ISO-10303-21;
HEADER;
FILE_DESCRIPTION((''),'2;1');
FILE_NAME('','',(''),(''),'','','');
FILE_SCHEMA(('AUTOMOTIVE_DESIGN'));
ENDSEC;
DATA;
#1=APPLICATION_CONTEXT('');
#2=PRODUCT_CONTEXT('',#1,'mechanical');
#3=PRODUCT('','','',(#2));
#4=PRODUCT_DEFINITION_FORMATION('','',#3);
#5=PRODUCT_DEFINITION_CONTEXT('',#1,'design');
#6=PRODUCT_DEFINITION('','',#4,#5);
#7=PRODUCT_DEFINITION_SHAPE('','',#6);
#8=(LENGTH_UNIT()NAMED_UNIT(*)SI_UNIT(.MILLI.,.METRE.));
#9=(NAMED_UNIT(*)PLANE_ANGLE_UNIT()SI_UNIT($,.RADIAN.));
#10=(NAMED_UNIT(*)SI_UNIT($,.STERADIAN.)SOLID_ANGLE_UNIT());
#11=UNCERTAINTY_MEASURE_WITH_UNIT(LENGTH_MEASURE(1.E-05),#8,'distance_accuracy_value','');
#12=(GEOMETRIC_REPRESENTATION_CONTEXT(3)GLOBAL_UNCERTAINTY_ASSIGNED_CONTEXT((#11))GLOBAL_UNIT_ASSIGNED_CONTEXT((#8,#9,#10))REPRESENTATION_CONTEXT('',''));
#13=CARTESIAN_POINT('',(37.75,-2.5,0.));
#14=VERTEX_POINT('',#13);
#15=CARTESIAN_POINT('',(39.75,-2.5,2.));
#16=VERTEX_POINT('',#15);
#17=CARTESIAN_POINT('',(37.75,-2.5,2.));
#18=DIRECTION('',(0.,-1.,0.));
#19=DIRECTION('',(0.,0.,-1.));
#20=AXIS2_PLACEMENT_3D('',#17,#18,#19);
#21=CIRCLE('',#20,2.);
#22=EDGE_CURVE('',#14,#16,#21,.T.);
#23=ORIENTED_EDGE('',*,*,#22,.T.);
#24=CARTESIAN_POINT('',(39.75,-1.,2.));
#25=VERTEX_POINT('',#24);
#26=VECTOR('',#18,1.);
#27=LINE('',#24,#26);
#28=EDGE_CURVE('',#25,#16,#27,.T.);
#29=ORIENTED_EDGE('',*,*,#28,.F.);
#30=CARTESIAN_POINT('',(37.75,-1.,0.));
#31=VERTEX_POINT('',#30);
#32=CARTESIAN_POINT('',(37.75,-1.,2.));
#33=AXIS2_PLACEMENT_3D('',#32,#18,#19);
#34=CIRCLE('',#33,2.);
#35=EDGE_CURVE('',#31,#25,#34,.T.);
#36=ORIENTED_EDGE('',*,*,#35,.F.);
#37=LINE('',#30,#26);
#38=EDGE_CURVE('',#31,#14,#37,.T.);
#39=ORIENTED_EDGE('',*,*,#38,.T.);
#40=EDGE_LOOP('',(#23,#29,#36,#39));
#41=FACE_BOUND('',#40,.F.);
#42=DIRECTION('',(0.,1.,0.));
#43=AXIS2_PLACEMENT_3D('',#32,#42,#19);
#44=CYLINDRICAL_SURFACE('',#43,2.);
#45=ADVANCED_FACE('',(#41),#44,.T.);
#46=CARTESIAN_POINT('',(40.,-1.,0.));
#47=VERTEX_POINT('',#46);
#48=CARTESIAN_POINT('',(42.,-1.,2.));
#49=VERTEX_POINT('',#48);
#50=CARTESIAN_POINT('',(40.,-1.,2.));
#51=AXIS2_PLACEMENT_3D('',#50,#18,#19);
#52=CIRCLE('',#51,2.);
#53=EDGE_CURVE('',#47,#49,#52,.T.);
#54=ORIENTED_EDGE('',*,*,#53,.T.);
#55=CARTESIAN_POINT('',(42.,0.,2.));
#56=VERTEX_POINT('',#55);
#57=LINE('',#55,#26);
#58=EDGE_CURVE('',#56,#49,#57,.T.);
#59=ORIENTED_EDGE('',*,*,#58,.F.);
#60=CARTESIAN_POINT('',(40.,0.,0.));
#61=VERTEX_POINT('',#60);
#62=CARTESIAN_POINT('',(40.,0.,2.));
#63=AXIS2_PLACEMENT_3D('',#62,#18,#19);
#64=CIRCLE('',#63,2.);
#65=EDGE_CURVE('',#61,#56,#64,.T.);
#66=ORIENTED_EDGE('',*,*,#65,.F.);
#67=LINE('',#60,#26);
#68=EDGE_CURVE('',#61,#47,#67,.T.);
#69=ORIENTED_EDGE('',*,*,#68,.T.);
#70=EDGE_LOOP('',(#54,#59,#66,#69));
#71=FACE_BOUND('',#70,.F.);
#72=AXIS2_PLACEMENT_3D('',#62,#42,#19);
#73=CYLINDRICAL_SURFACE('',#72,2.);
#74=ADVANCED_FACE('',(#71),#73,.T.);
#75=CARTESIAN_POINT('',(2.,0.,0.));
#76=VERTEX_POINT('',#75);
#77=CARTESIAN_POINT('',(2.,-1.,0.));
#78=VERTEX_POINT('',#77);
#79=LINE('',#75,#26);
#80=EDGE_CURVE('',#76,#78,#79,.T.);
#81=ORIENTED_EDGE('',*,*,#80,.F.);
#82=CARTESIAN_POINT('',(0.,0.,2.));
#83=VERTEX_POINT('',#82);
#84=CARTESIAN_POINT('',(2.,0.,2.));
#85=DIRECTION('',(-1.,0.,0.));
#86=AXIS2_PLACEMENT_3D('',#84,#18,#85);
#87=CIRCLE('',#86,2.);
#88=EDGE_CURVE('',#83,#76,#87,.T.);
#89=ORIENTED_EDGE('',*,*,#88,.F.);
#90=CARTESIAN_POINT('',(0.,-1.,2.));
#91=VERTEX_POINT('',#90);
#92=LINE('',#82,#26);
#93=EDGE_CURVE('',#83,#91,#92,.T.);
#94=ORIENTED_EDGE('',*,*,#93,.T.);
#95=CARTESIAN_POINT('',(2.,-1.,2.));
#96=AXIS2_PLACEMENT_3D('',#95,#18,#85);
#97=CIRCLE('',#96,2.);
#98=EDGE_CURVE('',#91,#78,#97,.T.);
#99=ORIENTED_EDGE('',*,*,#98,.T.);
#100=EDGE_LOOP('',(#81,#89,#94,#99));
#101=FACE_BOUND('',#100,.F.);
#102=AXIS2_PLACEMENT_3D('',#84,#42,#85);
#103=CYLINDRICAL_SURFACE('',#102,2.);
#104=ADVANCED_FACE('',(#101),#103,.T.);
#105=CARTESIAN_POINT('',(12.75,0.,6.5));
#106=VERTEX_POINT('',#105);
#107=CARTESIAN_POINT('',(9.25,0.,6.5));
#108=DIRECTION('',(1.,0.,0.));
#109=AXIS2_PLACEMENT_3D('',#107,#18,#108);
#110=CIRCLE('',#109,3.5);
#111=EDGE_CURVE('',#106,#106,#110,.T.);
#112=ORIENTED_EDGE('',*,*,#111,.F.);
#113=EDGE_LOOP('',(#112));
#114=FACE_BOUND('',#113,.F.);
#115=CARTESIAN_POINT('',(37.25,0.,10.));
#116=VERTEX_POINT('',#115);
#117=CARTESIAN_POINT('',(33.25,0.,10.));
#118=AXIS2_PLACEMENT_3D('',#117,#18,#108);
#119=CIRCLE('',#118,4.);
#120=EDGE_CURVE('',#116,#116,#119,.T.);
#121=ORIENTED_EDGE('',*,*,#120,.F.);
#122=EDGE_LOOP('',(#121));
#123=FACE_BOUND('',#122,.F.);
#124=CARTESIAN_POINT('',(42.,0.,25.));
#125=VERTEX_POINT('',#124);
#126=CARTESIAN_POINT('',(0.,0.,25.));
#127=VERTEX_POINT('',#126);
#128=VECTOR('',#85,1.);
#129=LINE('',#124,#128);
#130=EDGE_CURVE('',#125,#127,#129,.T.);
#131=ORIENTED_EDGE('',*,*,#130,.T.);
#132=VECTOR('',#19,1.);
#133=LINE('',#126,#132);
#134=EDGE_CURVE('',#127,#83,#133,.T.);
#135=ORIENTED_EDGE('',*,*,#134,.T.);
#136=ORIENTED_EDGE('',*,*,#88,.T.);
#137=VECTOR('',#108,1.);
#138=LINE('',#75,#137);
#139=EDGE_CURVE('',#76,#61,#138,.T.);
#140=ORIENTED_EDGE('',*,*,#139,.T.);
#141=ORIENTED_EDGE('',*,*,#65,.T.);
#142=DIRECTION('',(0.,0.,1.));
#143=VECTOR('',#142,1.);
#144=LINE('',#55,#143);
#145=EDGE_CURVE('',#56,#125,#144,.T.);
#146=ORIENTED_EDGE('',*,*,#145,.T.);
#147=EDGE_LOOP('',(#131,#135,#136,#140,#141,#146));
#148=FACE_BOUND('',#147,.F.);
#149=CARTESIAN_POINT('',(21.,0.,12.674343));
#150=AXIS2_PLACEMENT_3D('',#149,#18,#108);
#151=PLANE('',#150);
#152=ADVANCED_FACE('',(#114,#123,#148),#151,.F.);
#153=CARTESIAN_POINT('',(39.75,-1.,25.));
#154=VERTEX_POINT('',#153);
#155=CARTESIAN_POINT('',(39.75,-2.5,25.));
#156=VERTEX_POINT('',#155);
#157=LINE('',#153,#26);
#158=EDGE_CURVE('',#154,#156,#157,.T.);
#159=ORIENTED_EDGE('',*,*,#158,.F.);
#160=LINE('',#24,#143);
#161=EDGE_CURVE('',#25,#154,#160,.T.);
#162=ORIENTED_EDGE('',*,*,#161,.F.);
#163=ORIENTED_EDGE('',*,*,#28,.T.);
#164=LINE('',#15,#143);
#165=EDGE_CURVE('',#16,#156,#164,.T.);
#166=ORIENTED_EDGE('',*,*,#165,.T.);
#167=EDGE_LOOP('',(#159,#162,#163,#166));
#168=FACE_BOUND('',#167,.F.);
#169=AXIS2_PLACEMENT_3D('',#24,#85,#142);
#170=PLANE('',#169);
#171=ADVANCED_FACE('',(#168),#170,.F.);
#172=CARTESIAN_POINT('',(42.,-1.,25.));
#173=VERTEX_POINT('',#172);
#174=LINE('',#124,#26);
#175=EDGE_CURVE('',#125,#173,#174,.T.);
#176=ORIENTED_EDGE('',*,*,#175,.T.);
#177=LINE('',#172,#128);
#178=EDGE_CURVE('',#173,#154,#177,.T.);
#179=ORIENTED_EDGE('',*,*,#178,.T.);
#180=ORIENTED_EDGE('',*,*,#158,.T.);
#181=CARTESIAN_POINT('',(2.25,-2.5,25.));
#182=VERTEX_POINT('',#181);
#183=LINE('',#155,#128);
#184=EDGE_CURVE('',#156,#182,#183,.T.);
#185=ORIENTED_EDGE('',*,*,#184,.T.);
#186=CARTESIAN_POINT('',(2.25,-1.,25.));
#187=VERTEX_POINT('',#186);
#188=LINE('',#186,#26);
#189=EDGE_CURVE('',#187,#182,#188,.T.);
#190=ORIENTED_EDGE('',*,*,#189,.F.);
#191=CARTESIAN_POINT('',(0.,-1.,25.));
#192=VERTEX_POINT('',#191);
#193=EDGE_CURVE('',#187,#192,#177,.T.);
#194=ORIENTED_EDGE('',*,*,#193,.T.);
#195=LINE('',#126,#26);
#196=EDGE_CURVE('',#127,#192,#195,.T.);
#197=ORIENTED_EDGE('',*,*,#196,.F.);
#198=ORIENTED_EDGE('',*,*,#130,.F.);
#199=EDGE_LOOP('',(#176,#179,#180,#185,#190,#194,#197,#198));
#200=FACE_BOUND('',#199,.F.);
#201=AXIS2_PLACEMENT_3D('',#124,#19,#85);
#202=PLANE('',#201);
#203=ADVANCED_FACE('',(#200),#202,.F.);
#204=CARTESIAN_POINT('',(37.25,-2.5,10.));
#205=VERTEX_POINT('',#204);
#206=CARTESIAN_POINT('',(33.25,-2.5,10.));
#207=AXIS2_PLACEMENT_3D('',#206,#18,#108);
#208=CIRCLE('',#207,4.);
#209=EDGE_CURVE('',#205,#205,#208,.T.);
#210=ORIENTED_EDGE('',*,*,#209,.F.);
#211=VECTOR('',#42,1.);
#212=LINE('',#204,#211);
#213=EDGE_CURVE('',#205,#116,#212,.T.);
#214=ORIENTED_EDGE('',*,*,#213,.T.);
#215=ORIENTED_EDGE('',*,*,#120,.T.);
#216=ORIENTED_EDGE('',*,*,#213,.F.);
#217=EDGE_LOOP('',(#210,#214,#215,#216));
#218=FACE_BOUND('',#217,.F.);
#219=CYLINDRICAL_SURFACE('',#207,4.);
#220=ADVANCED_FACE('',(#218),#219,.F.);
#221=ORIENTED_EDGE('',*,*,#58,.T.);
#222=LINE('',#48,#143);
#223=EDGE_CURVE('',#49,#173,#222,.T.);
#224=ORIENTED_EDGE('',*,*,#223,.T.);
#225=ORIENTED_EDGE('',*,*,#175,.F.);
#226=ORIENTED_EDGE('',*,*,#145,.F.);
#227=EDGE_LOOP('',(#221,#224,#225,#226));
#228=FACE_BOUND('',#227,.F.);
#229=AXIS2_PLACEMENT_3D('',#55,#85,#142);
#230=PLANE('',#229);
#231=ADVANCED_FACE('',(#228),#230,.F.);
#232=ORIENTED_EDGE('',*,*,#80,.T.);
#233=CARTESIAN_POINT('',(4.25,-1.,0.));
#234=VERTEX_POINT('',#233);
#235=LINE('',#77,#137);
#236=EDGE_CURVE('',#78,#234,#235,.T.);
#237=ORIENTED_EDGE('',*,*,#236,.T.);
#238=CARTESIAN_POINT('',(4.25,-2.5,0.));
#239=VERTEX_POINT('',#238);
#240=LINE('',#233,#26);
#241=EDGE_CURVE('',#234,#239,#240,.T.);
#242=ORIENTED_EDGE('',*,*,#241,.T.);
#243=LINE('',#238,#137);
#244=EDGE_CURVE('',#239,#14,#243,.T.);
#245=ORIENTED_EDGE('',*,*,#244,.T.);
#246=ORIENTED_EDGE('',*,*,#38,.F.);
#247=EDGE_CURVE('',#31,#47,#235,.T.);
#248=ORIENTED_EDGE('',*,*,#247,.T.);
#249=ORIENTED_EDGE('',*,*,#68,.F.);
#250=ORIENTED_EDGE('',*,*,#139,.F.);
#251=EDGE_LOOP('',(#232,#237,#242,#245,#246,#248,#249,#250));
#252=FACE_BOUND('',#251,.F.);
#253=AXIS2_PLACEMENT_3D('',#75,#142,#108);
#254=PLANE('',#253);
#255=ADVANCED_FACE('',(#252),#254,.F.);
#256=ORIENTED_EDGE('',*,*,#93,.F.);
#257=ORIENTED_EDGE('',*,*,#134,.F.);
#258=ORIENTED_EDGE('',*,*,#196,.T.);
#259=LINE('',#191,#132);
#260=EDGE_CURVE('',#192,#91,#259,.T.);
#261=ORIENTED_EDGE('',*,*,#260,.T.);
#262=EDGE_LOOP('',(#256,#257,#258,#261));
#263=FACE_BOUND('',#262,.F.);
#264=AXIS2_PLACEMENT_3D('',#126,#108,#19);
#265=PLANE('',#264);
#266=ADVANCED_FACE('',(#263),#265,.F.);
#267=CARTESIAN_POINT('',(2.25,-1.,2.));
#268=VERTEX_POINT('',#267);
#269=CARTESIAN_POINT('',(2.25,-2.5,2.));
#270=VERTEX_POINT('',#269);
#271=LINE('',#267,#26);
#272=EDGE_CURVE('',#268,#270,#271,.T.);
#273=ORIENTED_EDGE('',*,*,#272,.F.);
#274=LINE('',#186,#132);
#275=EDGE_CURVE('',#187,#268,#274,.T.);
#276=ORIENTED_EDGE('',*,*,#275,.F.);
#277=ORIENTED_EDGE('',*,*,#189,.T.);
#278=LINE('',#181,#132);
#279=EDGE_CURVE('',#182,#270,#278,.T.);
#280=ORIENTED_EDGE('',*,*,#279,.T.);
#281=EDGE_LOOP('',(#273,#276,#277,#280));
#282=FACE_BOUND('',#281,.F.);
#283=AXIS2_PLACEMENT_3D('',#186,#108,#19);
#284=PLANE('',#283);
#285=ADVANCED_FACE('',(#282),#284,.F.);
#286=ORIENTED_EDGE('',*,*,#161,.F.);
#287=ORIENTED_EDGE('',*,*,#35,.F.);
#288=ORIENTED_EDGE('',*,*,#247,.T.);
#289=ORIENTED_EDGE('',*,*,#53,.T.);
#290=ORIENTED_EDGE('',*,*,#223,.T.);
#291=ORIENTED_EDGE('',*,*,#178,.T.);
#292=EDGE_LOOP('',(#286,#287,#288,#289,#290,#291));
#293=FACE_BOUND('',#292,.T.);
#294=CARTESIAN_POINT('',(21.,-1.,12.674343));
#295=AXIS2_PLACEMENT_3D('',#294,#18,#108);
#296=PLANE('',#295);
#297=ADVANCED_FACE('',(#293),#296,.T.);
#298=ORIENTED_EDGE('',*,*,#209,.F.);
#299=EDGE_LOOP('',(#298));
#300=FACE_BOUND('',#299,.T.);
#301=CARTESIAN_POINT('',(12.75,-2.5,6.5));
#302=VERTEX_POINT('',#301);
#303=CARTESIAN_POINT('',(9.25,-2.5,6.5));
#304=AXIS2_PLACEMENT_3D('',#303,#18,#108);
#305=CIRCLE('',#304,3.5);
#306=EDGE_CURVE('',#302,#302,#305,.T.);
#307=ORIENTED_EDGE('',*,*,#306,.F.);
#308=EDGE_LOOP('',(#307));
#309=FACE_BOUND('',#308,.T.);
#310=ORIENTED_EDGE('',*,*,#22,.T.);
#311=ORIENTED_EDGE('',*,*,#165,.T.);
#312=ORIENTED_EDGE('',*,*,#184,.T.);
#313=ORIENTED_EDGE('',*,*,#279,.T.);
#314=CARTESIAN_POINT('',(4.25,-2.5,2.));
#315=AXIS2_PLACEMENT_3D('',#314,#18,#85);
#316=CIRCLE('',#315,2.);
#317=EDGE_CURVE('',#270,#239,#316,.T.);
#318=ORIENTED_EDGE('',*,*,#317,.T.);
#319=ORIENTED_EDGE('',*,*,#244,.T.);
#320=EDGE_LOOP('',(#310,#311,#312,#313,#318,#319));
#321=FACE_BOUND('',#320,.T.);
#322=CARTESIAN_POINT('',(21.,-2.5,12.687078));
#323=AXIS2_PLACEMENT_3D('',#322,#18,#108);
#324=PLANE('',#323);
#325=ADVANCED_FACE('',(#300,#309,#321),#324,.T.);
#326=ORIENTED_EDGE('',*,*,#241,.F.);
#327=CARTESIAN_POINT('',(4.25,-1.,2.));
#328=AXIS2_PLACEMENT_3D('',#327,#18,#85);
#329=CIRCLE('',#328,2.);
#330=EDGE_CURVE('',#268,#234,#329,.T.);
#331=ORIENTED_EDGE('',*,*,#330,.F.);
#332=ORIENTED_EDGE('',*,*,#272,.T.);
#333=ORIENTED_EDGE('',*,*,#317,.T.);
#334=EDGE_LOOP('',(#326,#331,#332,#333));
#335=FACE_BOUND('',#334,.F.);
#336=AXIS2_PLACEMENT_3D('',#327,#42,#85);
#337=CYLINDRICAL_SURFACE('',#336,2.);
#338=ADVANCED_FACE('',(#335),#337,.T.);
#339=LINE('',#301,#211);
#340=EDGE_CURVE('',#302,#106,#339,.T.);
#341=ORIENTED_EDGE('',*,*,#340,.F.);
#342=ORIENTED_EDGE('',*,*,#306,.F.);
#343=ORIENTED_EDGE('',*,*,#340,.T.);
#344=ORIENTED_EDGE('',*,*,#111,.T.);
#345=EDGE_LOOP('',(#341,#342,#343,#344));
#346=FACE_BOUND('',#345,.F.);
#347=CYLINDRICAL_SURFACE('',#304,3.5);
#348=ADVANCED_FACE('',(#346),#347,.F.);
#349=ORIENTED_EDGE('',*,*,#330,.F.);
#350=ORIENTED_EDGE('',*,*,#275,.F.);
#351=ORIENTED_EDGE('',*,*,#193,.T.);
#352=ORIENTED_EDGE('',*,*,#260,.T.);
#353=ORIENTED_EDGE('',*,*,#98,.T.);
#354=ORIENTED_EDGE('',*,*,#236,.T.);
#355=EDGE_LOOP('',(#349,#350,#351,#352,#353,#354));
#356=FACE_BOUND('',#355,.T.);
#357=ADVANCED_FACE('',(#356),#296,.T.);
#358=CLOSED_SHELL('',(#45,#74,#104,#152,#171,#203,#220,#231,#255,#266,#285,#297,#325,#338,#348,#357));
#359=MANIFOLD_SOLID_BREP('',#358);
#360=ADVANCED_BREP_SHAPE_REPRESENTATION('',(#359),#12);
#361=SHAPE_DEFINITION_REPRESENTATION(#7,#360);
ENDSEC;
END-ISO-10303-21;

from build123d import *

# Parameters (mm, degrees)
F1_DEPTH = 1
F3_DEPTH = 1.5
F4_R     = 4
F4_R_2   = 3.5
F5_DEPTH = 2.5


with BuildPart() as f1:
    # F0 (on Front) → F1 (new body)
    with BuildSketch(Plane.XZ):
        with BuildLine():
            ThreePointArc((0, 2), (0.5857864376, 0.5857864376), (2, 0))
            Line((2, 0), (40, 0))
            ThreePointArc((40, 0), (41.4142135624, 0.5857864376), (42, 2))
            Line((42, 2), (42, 25))
            Line((42, 25), (0, 25))
            Line((0, 25), (0, 2))
        make_face()
    extrude(amount=F1_DEPTH)

    # F2 (on face) → F3 (join)
    with BuildSketch(Plane.XZ.offset(1)):
        with BuildLine():
            Line((39.75, 25), (2.25, 25))
            Line((2.25, 25), (2.25, 2))
            ThreePointArc((2.25, 2), (2.8357864376, 0.5857864376), (4.25, 0))
            Line((4.25, 0), (37.75, 0))
            ThreePointArc((37.75, 0), (39.1642135624, 0.5857864376), (39.75, 2))
            Line((39.75, 2), (39.75, 25))
        make_face()
    extrude(amount=F3_DEPTH)

    # F4 (on face) → F5 (cut, through all)
    with BuildSketch(Plane.XZ.offset(2.5)):
        with Locations((33.25, 10)):
            Circle(F4_R)
        with Locations((9.25, 6.5)):
            Circle(F4_R_2)
    extrude(amount=-F5_DEPTH, mode=Mode.SUBTRACT)


solid = f1.part
